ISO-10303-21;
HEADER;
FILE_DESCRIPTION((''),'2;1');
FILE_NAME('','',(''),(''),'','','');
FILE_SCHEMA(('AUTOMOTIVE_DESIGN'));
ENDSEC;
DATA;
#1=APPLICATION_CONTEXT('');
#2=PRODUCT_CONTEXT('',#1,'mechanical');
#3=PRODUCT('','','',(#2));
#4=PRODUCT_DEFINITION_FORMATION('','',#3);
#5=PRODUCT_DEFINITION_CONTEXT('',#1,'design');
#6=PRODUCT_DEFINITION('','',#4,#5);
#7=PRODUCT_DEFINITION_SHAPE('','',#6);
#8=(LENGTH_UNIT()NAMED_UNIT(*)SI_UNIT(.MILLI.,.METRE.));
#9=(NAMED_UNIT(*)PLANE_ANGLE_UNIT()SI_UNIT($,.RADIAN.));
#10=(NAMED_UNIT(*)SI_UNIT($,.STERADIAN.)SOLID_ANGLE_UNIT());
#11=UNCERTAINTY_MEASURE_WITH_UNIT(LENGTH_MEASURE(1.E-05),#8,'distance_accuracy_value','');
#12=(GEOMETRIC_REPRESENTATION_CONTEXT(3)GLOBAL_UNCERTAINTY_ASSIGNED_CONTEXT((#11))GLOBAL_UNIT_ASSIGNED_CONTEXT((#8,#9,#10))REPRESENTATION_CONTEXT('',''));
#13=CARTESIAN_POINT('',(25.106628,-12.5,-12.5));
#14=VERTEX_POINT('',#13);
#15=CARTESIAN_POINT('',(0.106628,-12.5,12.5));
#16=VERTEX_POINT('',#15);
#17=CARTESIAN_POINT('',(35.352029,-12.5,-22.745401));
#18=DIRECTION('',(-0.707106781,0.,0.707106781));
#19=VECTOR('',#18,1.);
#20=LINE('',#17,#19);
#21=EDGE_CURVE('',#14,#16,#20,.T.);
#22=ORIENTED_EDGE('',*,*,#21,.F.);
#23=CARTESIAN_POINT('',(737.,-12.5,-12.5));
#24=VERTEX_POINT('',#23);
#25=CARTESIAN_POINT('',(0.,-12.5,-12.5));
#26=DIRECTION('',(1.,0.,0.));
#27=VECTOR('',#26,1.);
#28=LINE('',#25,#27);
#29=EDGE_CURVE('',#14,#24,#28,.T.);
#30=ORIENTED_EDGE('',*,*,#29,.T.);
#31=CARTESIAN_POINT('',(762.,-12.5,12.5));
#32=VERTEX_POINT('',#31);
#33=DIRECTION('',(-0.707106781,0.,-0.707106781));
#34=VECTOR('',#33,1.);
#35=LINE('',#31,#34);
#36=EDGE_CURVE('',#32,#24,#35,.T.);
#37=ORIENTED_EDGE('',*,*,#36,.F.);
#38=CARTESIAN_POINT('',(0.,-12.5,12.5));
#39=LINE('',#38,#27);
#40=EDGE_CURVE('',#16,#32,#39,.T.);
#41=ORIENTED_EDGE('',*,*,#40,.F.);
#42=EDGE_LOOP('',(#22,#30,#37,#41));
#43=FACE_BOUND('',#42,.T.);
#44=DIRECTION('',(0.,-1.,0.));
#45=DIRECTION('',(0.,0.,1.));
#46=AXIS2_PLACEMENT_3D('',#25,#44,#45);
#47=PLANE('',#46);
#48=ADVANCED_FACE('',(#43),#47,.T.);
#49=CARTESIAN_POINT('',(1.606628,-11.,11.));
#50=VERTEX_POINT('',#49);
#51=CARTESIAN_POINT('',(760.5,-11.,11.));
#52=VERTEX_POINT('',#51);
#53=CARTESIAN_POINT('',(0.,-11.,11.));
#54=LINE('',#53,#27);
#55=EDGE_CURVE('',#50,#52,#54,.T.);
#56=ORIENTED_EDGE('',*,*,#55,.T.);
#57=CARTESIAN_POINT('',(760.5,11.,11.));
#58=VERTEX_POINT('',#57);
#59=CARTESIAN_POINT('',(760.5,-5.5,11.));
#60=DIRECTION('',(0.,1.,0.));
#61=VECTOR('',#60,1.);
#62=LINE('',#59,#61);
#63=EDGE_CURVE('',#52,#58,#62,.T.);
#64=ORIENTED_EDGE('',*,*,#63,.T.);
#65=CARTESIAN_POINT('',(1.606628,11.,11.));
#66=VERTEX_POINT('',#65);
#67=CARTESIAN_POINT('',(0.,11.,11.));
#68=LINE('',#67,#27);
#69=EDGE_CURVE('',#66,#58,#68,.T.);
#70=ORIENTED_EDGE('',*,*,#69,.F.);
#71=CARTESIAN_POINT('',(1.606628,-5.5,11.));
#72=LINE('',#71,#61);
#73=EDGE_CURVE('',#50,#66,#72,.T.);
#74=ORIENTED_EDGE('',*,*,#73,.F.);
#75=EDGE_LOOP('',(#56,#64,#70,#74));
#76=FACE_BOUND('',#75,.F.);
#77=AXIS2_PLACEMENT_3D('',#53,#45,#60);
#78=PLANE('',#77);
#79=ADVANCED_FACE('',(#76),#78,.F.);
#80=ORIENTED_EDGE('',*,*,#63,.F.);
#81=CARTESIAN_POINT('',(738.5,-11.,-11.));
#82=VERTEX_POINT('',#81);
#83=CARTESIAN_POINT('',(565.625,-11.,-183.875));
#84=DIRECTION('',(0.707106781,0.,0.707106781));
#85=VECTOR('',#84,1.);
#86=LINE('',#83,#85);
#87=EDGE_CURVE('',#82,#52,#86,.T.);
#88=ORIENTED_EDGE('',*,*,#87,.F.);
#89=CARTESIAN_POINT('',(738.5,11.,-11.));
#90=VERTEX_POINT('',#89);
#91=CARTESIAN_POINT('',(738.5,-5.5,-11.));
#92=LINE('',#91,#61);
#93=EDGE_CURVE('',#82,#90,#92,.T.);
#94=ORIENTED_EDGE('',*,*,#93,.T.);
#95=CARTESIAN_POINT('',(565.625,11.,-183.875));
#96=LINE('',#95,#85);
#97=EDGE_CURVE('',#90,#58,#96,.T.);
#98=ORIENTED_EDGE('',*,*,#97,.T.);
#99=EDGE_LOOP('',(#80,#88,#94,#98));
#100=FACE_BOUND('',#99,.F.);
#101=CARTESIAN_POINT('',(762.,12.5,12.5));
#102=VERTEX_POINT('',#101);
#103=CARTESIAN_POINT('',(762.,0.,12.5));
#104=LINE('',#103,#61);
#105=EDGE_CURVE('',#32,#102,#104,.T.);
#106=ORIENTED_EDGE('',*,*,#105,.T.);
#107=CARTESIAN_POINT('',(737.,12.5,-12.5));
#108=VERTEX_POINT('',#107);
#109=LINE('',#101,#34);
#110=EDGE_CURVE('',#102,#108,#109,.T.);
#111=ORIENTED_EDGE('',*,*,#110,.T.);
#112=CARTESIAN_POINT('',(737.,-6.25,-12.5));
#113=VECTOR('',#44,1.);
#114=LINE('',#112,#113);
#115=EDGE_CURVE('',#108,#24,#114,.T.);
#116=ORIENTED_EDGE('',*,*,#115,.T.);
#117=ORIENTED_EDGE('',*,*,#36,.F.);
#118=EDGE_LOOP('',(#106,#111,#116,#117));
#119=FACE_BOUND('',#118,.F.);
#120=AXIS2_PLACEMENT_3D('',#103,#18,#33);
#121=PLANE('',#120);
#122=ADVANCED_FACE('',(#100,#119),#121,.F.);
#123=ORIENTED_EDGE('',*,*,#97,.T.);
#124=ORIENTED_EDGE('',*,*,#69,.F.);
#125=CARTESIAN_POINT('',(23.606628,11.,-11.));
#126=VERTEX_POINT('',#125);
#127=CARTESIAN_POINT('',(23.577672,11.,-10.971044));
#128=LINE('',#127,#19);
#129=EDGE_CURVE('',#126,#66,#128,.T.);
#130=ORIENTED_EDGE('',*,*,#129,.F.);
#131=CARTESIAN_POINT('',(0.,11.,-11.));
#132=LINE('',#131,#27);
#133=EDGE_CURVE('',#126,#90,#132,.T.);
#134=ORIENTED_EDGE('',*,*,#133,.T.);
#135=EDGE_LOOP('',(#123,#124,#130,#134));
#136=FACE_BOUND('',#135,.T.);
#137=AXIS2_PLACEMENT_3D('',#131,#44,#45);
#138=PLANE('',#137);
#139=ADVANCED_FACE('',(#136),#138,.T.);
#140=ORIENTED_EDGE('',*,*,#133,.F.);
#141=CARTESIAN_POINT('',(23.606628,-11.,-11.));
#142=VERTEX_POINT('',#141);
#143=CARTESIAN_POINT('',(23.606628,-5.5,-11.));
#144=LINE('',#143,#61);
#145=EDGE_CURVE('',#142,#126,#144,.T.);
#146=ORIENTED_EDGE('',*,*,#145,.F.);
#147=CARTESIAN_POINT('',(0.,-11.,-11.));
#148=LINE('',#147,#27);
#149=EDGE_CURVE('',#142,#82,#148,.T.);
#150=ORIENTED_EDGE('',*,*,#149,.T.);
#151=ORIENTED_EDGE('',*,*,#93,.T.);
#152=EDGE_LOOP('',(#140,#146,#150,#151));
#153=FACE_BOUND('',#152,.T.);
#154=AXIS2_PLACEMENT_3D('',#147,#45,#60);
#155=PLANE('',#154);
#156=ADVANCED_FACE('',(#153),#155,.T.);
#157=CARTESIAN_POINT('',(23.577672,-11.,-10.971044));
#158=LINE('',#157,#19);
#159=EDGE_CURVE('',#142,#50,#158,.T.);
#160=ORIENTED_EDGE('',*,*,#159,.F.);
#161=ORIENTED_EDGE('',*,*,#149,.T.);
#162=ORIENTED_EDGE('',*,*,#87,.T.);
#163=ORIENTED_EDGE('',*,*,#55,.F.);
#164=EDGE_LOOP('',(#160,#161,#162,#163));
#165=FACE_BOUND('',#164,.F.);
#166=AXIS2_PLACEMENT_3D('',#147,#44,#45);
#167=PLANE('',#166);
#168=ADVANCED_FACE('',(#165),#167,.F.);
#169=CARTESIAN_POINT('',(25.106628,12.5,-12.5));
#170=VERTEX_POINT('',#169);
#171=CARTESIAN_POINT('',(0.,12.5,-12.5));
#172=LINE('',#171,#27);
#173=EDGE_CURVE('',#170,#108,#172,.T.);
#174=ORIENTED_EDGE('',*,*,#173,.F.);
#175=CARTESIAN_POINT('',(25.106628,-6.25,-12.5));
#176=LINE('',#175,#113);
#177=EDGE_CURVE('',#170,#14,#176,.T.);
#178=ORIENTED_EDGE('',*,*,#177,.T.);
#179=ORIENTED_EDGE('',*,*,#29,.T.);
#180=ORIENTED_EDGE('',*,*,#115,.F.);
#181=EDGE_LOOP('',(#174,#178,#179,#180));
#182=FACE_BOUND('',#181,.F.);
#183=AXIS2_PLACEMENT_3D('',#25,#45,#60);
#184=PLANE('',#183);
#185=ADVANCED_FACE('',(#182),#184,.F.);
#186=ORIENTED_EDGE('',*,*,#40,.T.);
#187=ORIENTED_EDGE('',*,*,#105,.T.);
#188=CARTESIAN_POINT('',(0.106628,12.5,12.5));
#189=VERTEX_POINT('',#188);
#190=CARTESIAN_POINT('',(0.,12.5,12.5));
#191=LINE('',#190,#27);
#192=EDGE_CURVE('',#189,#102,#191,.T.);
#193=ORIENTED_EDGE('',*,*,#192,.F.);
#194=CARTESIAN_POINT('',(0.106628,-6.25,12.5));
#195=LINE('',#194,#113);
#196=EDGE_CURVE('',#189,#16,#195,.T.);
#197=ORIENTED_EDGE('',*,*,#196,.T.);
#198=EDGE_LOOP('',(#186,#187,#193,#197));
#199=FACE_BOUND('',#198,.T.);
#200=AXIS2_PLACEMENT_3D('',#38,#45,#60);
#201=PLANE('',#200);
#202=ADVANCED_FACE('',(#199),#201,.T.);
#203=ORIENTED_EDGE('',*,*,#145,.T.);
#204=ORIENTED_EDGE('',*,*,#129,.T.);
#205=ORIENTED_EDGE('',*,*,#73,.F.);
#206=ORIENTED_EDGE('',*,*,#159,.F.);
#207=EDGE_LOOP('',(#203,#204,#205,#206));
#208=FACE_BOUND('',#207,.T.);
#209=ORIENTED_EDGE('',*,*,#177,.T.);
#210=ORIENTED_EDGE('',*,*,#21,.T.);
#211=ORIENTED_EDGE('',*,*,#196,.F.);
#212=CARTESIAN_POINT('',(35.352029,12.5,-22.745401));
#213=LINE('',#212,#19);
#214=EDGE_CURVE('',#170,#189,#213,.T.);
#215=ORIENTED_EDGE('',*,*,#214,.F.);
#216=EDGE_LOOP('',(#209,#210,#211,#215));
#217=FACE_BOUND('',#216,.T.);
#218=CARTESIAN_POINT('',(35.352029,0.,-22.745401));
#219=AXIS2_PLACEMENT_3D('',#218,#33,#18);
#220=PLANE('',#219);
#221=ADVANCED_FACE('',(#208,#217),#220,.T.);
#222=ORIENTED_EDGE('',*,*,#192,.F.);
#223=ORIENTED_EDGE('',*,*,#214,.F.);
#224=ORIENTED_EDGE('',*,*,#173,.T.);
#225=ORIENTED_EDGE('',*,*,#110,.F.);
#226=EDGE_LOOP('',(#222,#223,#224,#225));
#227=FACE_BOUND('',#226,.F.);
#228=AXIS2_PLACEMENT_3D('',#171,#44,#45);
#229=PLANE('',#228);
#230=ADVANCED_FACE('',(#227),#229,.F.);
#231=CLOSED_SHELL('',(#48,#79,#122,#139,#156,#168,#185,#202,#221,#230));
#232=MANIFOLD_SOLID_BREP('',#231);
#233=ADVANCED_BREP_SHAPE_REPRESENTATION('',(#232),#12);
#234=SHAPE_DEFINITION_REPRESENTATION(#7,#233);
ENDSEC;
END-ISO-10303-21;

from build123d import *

# Parameters (mm, degrees)
F0_W     = 25
F0_H     = 25
F1_DEPTH = 762
F3_DEPTH = 12.5
F4_W     = 22
F4_H     = 22
F5_DEPTH = 762.001


with BuildPart() as f1:
    # F0 (on Right) → F1 (new body)
    with BuildSketch(Plane.YZ):
        Rectangle(F0_W, F0_H)
    extrude(amount=F1_DEPTH)

    # F2 (on Front) → F3 (cut, symmetric)
    with BuildSketch(Plane.XZ):
        Polygon((35.352029, -22.745401), (0, 12.606628), (0, -26.686775), align=None)
        Polygon((762, -22.745401), (762, 12.5), (732.63703, -16.86297), align=None)
    extrude(amount=F3_DEPTH, both=True, mode=Mode.SUBTRACT)

    # F4 (on Right) → F5 (cut, through all)
    with BuildSketch(Plane.YZ):
        Rectangle(F4_W, F4_H)
    extrude(amount=F5_DEPTH, mode=Mode.SUBTRACT)


solid = f1.part
